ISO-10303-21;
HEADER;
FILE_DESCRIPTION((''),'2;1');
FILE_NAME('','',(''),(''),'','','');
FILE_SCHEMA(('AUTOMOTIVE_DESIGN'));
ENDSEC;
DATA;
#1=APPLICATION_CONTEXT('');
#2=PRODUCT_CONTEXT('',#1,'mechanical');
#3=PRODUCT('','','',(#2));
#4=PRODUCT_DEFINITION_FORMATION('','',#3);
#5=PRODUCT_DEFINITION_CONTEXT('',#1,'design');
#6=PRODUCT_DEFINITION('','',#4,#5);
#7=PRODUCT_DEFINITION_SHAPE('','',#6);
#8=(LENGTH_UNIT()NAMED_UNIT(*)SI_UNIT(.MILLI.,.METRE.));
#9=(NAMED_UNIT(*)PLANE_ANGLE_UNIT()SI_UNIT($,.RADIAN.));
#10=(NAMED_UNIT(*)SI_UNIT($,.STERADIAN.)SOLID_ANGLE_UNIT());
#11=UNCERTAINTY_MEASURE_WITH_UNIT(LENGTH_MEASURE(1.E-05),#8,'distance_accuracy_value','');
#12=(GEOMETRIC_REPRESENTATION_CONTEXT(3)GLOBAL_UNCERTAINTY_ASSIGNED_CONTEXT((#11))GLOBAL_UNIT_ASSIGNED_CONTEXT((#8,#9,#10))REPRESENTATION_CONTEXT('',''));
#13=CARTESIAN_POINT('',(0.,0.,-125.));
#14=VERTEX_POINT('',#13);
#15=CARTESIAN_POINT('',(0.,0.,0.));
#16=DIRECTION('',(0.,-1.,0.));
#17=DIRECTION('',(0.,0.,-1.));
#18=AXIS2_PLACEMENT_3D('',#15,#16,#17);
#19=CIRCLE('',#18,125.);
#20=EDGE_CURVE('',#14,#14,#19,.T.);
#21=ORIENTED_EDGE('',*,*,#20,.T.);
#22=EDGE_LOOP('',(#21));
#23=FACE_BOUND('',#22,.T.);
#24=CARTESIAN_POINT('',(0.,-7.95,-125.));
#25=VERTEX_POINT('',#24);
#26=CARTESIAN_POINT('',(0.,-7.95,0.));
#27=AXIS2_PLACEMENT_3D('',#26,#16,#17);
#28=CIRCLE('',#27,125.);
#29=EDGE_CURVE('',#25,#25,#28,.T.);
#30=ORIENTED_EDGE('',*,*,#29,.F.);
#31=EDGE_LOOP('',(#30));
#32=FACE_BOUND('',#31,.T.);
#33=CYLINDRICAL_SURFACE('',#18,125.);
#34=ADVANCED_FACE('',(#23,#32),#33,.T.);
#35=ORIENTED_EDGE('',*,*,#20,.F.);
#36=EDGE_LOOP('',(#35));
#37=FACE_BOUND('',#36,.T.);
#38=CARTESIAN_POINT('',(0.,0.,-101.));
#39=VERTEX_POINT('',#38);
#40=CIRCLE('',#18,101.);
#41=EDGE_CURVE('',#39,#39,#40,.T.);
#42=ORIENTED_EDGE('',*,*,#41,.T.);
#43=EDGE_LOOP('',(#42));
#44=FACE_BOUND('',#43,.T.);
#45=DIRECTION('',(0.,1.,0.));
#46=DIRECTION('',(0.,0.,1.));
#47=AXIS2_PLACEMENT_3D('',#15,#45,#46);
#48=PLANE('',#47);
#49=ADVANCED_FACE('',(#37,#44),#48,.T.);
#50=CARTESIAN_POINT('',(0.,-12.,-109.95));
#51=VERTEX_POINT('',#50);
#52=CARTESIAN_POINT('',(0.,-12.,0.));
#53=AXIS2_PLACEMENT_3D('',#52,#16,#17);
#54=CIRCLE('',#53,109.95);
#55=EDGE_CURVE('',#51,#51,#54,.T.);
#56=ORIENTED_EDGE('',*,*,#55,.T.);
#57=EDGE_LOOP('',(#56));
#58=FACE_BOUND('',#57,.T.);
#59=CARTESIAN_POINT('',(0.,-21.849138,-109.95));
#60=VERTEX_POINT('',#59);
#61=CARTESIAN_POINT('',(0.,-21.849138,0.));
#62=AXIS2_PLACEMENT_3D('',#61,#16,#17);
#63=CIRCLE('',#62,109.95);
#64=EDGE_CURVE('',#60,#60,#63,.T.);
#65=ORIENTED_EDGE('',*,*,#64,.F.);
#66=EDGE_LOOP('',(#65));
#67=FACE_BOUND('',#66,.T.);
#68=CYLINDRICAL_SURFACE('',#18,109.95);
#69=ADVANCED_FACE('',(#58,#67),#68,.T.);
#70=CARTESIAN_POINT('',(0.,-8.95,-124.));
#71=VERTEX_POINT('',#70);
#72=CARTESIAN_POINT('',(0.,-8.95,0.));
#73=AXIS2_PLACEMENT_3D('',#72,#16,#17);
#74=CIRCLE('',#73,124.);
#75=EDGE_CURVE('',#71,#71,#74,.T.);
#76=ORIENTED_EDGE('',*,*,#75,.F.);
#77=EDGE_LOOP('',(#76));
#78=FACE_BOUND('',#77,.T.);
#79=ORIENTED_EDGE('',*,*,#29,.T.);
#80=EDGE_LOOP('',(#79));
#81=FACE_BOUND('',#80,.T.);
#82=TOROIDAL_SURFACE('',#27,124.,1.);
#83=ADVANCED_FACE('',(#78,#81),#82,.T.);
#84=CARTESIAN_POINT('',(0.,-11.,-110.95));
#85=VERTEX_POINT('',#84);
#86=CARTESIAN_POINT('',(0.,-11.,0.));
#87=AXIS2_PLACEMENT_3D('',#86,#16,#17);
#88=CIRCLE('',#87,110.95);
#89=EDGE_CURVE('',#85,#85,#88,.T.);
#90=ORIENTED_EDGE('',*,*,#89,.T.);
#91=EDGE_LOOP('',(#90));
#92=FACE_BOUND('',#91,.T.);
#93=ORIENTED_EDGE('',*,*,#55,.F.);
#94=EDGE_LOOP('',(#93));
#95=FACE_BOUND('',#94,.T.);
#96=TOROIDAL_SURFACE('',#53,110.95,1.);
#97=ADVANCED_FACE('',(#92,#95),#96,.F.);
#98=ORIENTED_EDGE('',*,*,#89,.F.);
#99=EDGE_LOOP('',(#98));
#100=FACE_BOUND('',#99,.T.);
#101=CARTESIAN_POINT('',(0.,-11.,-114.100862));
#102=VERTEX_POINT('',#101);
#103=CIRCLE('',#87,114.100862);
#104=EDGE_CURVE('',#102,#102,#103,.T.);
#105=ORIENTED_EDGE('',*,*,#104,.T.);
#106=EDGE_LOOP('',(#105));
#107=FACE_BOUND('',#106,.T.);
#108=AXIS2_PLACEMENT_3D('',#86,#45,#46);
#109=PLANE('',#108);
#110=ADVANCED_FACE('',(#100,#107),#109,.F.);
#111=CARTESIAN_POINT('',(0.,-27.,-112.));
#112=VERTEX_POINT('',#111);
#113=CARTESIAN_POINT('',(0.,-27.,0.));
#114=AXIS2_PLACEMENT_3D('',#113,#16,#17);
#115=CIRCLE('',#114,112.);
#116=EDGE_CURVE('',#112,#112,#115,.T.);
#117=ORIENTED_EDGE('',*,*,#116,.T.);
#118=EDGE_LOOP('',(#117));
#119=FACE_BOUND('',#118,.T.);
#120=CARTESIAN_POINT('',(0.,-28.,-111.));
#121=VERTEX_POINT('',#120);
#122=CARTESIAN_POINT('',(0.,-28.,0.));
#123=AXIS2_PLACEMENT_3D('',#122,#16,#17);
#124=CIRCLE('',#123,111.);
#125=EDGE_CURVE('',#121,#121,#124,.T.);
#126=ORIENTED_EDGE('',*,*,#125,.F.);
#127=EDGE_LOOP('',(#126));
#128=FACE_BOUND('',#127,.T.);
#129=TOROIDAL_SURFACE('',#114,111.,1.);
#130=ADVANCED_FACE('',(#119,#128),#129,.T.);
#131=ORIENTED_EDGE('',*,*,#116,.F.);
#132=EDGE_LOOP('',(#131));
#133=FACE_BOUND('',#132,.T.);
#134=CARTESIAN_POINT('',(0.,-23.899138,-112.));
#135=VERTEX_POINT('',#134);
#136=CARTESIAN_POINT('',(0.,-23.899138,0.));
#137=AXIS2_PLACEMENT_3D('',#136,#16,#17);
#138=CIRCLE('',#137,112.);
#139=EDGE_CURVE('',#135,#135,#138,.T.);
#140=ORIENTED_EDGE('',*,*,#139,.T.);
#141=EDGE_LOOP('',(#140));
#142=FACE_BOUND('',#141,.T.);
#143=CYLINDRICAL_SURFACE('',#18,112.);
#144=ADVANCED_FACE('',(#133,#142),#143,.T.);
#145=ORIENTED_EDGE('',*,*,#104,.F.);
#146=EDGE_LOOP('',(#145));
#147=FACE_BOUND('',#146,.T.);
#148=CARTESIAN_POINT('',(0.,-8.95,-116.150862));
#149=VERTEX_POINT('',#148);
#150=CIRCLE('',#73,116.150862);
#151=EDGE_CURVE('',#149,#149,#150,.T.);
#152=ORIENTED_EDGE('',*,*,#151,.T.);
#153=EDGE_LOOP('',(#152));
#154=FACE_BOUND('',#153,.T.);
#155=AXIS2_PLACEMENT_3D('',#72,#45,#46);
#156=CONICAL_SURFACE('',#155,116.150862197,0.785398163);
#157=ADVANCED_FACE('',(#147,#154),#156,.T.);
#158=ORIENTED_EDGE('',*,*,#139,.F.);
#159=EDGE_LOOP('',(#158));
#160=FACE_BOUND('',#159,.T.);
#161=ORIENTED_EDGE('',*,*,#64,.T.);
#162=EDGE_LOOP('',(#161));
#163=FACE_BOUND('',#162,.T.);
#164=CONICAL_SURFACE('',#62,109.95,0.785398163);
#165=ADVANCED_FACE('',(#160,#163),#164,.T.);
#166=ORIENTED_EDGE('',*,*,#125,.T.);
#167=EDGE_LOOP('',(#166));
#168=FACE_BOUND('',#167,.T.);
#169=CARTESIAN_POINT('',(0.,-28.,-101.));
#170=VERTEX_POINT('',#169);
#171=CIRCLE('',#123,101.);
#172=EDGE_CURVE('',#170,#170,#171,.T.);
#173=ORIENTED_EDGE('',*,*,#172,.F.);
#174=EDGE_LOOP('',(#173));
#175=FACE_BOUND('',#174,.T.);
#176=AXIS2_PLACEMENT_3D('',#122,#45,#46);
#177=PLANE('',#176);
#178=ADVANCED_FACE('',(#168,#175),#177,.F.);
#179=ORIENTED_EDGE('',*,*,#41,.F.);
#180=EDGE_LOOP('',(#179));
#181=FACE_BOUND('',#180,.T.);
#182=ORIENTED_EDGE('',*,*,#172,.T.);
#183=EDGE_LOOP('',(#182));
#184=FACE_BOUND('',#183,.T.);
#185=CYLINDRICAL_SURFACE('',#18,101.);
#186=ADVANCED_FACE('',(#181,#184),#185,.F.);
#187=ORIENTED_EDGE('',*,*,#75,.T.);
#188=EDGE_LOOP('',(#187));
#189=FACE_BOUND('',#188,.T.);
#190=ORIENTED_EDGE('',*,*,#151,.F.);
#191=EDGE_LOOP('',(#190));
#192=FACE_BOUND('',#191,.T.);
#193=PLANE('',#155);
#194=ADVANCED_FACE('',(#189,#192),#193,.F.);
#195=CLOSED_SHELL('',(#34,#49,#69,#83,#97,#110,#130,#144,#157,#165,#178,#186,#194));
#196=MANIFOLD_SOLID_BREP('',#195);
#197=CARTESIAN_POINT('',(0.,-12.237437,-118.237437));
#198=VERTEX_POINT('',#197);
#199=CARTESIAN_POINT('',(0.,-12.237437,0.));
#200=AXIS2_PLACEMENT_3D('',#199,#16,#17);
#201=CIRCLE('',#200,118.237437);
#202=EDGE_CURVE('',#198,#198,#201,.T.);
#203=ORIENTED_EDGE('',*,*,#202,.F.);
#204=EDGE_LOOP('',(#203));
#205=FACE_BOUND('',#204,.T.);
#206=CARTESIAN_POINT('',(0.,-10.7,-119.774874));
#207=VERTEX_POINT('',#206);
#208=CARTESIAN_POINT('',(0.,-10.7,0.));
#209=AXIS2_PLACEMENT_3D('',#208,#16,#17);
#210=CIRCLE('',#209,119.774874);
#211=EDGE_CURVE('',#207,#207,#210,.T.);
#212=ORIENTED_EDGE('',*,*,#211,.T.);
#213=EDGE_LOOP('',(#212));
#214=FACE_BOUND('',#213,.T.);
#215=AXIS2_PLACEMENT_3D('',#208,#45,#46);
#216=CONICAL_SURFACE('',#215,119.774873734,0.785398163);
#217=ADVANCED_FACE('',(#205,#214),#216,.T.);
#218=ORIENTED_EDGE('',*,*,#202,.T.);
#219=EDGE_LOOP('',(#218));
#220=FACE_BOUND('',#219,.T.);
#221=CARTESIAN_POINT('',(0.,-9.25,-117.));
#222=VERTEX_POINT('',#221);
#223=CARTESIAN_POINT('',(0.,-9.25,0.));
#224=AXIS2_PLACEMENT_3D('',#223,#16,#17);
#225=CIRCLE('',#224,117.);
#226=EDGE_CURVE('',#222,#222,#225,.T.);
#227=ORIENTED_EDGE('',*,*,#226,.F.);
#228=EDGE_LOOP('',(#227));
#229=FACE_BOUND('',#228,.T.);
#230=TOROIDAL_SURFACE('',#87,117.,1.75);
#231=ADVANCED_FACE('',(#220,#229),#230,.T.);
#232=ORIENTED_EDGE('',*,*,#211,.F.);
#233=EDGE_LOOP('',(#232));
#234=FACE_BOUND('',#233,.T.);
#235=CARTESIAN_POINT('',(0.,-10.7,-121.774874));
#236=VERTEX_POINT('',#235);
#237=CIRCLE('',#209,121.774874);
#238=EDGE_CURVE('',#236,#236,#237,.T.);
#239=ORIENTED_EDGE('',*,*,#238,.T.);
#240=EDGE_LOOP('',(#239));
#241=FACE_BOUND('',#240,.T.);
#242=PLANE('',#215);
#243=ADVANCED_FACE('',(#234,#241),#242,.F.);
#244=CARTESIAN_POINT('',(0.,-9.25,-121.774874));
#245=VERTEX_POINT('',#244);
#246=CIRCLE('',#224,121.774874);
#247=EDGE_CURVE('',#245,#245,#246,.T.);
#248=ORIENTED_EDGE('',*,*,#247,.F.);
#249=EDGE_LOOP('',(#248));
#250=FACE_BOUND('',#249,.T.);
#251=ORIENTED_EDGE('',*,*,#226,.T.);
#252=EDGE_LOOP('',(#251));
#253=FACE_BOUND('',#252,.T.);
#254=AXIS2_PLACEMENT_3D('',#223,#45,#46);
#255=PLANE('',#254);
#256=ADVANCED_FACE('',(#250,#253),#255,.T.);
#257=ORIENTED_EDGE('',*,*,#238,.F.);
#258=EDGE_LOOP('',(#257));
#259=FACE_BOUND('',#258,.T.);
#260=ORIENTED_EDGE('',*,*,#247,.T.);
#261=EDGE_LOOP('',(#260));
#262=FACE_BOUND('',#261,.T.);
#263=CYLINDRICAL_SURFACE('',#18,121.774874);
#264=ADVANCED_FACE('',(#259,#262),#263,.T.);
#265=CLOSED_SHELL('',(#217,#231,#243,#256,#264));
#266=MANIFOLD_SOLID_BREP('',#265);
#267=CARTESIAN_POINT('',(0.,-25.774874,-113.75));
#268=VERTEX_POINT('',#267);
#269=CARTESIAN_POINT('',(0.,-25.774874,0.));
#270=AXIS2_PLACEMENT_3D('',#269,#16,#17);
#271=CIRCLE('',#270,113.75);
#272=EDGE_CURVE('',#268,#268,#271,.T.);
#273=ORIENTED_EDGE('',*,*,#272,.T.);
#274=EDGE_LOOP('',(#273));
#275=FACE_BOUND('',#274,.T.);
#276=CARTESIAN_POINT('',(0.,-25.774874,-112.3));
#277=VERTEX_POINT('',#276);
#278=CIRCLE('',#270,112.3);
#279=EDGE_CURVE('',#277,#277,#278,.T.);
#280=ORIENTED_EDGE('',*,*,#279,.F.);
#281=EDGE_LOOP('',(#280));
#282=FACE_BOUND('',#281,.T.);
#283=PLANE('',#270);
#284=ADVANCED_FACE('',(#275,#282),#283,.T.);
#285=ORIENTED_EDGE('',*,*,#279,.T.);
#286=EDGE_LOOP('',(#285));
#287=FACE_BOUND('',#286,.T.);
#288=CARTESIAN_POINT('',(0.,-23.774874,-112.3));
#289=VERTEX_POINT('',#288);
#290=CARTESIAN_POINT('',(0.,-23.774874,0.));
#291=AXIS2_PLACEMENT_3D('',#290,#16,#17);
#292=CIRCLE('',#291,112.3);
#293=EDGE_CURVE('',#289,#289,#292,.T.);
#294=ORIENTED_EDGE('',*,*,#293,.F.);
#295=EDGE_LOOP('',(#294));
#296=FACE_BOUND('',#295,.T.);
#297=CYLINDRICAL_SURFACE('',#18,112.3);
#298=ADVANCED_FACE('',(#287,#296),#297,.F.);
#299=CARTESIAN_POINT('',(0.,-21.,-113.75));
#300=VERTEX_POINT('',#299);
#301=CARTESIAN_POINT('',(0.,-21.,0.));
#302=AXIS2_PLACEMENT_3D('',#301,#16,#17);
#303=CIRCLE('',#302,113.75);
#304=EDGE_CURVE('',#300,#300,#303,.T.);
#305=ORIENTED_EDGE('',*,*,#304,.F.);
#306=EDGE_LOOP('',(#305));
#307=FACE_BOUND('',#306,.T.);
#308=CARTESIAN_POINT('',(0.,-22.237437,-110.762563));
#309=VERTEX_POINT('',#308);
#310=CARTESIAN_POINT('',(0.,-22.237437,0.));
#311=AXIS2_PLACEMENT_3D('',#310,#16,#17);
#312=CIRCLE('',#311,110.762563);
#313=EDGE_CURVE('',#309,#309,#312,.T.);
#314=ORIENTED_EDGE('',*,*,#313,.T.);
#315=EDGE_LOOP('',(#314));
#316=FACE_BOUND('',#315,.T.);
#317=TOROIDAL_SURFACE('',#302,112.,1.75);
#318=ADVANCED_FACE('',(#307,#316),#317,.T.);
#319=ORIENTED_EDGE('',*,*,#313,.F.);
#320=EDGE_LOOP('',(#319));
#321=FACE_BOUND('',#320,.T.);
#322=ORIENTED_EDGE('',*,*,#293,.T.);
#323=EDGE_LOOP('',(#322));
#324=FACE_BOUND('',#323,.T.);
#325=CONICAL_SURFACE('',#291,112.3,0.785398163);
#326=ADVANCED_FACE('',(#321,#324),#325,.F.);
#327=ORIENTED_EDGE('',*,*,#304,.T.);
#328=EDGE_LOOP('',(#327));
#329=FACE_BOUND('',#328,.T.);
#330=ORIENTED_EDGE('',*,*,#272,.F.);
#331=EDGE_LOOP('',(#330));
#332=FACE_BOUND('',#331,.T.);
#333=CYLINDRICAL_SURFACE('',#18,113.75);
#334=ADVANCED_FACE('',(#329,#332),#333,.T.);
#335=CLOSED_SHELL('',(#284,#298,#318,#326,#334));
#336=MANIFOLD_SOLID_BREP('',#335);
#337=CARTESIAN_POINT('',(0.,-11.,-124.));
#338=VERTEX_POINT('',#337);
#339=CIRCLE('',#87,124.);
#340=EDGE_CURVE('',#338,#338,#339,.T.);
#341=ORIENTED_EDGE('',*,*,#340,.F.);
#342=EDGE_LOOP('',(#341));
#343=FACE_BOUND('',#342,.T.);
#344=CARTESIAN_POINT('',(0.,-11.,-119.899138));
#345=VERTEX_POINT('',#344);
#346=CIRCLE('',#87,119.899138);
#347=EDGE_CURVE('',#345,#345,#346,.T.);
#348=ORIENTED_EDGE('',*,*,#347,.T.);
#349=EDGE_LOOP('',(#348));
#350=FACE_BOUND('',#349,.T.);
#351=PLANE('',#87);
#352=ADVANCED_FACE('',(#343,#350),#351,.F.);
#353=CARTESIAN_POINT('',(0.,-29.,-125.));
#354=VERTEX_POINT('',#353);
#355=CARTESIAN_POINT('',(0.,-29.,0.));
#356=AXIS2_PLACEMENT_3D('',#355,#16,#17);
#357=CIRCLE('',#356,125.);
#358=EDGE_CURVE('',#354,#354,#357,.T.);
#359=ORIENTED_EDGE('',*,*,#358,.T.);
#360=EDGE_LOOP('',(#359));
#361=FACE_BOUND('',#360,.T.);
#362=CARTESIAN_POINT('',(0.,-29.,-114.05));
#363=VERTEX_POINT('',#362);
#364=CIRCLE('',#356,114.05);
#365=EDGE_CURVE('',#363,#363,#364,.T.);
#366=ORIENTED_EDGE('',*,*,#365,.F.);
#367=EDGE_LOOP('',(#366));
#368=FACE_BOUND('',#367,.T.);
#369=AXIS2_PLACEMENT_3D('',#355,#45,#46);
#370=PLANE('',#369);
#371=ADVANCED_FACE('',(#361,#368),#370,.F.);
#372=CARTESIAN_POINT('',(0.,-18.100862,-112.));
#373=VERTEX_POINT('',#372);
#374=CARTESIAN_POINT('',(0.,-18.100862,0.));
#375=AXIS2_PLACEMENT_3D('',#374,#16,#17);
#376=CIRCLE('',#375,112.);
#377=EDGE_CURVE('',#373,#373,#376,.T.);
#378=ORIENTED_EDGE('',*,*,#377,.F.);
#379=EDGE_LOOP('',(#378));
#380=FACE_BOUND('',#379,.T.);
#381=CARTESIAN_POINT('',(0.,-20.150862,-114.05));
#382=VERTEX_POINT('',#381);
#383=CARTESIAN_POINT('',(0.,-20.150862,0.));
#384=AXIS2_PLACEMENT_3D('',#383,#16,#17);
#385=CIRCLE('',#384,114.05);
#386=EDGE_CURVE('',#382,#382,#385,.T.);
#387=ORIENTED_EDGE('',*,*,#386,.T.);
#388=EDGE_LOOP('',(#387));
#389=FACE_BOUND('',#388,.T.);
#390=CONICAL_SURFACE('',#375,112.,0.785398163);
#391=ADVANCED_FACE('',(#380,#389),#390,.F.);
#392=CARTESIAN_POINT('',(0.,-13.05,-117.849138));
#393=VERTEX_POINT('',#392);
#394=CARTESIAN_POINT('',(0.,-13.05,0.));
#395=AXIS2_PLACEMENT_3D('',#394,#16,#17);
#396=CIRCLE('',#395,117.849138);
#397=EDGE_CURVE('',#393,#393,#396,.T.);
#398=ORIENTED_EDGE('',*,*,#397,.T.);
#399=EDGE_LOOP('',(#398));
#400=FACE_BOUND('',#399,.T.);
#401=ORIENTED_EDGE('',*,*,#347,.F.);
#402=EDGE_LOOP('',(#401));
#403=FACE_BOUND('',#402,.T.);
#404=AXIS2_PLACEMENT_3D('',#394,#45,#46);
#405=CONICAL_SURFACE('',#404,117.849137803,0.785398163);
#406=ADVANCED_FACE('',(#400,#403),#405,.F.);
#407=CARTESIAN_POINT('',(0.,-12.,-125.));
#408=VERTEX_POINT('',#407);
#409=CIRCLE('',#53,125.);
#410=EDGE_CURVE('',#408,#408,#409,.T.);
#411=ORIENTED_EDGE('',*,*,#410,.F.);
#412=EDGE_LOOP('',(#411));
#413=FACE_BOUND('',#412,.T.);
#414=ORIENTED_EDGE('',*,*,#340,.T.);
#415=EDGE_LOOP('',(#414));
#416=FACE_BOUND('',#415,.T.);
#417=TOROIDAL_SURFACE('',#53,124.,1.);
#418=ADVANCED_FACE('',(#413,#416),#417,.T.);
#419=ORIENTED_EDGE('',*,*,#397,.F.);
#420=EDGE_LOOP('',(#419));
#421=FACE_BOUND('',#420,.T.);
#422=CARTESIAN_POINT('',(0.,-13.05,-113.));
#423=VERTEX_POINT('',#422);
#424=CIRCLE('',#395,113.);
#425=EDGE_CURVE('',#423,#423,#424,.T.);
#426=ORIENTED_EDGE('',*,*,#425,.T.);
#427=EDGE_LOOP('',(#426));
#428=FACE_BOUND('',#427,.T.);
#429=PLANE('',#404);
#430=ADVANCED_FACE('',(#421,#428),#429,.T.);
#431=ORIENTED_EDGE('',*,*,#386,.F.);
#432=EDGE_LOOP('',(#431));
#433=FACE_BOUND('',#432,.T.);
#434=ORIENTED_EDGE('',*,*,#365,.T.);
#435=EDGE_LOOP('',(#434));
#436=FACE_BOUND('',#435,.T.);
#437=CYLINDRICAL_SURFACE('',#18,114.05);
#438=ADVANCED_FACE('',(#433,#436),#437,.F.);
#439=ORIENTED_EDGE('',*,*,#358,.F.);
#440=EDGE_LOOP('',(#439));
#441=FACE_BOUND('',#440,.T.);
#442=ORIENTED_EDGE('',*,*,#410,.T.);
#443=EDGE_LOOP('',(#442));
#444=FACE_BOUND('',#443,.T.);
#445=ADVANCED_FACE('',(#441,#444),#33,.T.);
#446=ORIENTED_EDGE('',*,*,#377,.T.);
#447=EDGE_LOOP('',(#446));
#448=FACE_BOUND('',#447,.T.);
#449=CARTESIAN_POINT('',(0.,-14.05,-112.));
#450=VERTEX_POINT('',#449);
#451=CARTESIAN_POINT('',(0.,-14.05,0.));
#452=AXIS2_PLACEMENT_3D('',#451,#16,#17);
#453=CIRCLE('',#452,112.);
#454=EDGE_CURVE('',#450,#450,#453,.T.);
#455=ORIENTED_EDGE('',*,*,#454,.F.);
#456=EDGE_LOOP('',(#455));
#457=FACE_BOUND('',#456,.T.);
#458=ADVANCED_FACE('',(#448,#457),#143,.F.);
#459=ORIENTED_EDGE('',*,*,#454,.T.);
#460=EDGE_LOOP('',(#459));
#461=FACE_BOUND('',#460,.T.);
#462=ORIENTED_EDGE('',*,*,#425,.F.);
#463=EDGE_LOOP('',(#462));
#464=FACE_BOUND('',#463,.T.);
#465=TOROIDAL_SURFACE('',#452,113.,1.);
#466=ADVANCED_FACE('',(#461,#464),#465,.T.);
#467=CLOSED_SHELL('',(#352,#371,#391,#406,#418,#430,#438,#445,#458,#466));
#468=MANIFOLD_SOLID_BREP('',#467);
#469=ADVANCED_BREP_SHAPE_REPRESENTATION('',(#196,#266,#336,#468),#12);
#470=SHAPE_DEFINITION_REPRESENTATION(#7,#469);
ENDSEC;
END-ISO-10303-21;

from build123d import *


with BuildPart() as part:
    # Sketch3<3> (on Front Plane) → Revolve2 (revolve)
    with BuildSketch(Plane.XY, mode=Mode.PRIVATE) as revolve2_sk:
        with BuildLine():
            Line((-119.899137803, -11), (-124, -11))
            ThreePointArc((-124, -11), (-124.707106781, -11.292893219), (-125, -12))
            Line((-125, -12), (-125, -29))
            Line((-125, -29), (-114.05, -29))
            Line((-114.05, -29), (-114.05, -20.150862197))
            Line((-114.05, -20.150862197), (-112, -18.100862197))
            Line((-112, -18.100862197), (-112, -14.05))
            ThreePointArc((-112, -14.05), (-112.292893219, -13.342893219), (-113, -13.05))
            Line((-113, -13.05), (-117.849137803, -13.05))
            Line((-117.849137803, -13.05), (-119.899137803, -11))
        make_face()
    revolve(revolve2_sk.sketch.rotate(Axis((0, 0, 0), (0, 1, 0)), 270), axis=Axis((0, 0, 0), (0, 1, 0)))


with BuildPart() as body_2:
    # Sketch3<5> (on Front Plane) → Revolve4 (revolve)
    with BuildSketch(Plane.XY, mode=Mode.PRIVATE) as revolve4_sk:
        with BuildLine():
            ThreePointArc((-117, -9.25), (-115.383210818, -11.669696007), (-118.237436867, -12.237436867))
            Line((-118.237436867, -12.237436867), (-119.774873734, -10.7))
            Line((-119.774873734, -10.7), (-121.774873734, -10.7))
            Line((-121.774873734, -10.7), (-121.774873734, -9.25))
            Line((-121.774873734, -9.25), (-117, -9.25))
        make_face()
    revolve(revolve4_sk.sketch.rotate(Axis((0, 0, 0), (0, 1, 0)), 270), axis=Axis((0, 0, 0), (0, 1, 0)))


with BuildPart() as body_3:
    # Sketch3 again (on Front Plane) → Revolve5 (revolve)
    with BuildSketch(Plane.XY, mode=Mode.PRIVATE) as revolve5_sk:
        with BuildLine():
            Line((-113.75, -25.774873734), (-113.75, -21))
            ThreePointArc((-113.75, -21), (-111.330303993, -19.383210818), (-110.762563133, -22.237436867))
            Line((-110.762563133, -22.237436867), (-112.3, -23.774873734))
            Line((-112.3, -23.774873734), (-112.3, -25.774873734))
            Line((-112.3, -25.774873734), (-113.75, -25.774873734))
        make_face()
    revolve(revolve5_sk.sketch.rotate(Axis((0, 0, 0), (0, 1, 0)), 270), axis=Axis((0, 0, 0), (0, 1, 0)))


with BuildPart() as body_4:
    # Sketch3<7> (on Front Plane) → Revolve6 (revolve)
    with BuildSketch(Plane.XY, mode=Mode.PRIVATE) as revolve6_sk:
        with BuildLine():
            ThreePointArc((-125, -7.95), (-124.707106781, -8.657106781), (-124, -8.95))
            Line((-124, -8.95), (-121.774873734, -8.95))
            Line((-121.774873734, -8.95), (-116.150862197, -8.95))
            Line((-116.150862197, -8.95), (-114.100862197, -11))
            Line((-114.100862197, -11), (-110.95, -11))
            ThreePointArc((-110.95, -11), (-110.242893219, -11.292893219), (-109.95, -12))
            Line((-109.95, -12), (-109.95, -16.924568901))
            Line((-109.95, -16.924568901), (-101, -16.924568901))
            Line((-101, -16.924568901), (-101, 0))
            Line((-101, 0), (-125, 0))
            Line((-125, 0), (-125, -7.95))
        make_face()
    revolve(revolve6_sk.sketch.rotate(Axis((0, 0, 0), (0, 1, 0)), 270), axis=Axis((0, 0, 0), (0, 1, 0)))

    # Sketch3<8> (on Front Plane) → Revolve7 (revolve)
    with BuildSketch(Plane.XY, mode=Mode.PRIVATE) as revolve7_sk:
        with BuildLine():
            Line((-112, -23.899137803), (-112, -27))
            ThreePointArc((-112, -27), (-111.707106781, -27.707106781), (-111, -28))
            Line((-111, -28), (-101, -28))
            Line((-101, -28), (-101, -16.924568901))
            Line((-101, -16.924568901), (-109.95, -16.924568901))
            Line((-109.95, -16.924568901), (-109.95, -21.849137803))
            Line((-109.95, -21.849137803), (-112, -23.899137803))
        make_face()
    revolve(revolve7_sk.sketch.rotate(Axis((0, 0, 0), (0, 1, 0)), 270), axis=Axis((0, 0, 0), (0, 1, 0)))


solid = Compound([part.part, body_2.part, body_3.part, body_4.part])
